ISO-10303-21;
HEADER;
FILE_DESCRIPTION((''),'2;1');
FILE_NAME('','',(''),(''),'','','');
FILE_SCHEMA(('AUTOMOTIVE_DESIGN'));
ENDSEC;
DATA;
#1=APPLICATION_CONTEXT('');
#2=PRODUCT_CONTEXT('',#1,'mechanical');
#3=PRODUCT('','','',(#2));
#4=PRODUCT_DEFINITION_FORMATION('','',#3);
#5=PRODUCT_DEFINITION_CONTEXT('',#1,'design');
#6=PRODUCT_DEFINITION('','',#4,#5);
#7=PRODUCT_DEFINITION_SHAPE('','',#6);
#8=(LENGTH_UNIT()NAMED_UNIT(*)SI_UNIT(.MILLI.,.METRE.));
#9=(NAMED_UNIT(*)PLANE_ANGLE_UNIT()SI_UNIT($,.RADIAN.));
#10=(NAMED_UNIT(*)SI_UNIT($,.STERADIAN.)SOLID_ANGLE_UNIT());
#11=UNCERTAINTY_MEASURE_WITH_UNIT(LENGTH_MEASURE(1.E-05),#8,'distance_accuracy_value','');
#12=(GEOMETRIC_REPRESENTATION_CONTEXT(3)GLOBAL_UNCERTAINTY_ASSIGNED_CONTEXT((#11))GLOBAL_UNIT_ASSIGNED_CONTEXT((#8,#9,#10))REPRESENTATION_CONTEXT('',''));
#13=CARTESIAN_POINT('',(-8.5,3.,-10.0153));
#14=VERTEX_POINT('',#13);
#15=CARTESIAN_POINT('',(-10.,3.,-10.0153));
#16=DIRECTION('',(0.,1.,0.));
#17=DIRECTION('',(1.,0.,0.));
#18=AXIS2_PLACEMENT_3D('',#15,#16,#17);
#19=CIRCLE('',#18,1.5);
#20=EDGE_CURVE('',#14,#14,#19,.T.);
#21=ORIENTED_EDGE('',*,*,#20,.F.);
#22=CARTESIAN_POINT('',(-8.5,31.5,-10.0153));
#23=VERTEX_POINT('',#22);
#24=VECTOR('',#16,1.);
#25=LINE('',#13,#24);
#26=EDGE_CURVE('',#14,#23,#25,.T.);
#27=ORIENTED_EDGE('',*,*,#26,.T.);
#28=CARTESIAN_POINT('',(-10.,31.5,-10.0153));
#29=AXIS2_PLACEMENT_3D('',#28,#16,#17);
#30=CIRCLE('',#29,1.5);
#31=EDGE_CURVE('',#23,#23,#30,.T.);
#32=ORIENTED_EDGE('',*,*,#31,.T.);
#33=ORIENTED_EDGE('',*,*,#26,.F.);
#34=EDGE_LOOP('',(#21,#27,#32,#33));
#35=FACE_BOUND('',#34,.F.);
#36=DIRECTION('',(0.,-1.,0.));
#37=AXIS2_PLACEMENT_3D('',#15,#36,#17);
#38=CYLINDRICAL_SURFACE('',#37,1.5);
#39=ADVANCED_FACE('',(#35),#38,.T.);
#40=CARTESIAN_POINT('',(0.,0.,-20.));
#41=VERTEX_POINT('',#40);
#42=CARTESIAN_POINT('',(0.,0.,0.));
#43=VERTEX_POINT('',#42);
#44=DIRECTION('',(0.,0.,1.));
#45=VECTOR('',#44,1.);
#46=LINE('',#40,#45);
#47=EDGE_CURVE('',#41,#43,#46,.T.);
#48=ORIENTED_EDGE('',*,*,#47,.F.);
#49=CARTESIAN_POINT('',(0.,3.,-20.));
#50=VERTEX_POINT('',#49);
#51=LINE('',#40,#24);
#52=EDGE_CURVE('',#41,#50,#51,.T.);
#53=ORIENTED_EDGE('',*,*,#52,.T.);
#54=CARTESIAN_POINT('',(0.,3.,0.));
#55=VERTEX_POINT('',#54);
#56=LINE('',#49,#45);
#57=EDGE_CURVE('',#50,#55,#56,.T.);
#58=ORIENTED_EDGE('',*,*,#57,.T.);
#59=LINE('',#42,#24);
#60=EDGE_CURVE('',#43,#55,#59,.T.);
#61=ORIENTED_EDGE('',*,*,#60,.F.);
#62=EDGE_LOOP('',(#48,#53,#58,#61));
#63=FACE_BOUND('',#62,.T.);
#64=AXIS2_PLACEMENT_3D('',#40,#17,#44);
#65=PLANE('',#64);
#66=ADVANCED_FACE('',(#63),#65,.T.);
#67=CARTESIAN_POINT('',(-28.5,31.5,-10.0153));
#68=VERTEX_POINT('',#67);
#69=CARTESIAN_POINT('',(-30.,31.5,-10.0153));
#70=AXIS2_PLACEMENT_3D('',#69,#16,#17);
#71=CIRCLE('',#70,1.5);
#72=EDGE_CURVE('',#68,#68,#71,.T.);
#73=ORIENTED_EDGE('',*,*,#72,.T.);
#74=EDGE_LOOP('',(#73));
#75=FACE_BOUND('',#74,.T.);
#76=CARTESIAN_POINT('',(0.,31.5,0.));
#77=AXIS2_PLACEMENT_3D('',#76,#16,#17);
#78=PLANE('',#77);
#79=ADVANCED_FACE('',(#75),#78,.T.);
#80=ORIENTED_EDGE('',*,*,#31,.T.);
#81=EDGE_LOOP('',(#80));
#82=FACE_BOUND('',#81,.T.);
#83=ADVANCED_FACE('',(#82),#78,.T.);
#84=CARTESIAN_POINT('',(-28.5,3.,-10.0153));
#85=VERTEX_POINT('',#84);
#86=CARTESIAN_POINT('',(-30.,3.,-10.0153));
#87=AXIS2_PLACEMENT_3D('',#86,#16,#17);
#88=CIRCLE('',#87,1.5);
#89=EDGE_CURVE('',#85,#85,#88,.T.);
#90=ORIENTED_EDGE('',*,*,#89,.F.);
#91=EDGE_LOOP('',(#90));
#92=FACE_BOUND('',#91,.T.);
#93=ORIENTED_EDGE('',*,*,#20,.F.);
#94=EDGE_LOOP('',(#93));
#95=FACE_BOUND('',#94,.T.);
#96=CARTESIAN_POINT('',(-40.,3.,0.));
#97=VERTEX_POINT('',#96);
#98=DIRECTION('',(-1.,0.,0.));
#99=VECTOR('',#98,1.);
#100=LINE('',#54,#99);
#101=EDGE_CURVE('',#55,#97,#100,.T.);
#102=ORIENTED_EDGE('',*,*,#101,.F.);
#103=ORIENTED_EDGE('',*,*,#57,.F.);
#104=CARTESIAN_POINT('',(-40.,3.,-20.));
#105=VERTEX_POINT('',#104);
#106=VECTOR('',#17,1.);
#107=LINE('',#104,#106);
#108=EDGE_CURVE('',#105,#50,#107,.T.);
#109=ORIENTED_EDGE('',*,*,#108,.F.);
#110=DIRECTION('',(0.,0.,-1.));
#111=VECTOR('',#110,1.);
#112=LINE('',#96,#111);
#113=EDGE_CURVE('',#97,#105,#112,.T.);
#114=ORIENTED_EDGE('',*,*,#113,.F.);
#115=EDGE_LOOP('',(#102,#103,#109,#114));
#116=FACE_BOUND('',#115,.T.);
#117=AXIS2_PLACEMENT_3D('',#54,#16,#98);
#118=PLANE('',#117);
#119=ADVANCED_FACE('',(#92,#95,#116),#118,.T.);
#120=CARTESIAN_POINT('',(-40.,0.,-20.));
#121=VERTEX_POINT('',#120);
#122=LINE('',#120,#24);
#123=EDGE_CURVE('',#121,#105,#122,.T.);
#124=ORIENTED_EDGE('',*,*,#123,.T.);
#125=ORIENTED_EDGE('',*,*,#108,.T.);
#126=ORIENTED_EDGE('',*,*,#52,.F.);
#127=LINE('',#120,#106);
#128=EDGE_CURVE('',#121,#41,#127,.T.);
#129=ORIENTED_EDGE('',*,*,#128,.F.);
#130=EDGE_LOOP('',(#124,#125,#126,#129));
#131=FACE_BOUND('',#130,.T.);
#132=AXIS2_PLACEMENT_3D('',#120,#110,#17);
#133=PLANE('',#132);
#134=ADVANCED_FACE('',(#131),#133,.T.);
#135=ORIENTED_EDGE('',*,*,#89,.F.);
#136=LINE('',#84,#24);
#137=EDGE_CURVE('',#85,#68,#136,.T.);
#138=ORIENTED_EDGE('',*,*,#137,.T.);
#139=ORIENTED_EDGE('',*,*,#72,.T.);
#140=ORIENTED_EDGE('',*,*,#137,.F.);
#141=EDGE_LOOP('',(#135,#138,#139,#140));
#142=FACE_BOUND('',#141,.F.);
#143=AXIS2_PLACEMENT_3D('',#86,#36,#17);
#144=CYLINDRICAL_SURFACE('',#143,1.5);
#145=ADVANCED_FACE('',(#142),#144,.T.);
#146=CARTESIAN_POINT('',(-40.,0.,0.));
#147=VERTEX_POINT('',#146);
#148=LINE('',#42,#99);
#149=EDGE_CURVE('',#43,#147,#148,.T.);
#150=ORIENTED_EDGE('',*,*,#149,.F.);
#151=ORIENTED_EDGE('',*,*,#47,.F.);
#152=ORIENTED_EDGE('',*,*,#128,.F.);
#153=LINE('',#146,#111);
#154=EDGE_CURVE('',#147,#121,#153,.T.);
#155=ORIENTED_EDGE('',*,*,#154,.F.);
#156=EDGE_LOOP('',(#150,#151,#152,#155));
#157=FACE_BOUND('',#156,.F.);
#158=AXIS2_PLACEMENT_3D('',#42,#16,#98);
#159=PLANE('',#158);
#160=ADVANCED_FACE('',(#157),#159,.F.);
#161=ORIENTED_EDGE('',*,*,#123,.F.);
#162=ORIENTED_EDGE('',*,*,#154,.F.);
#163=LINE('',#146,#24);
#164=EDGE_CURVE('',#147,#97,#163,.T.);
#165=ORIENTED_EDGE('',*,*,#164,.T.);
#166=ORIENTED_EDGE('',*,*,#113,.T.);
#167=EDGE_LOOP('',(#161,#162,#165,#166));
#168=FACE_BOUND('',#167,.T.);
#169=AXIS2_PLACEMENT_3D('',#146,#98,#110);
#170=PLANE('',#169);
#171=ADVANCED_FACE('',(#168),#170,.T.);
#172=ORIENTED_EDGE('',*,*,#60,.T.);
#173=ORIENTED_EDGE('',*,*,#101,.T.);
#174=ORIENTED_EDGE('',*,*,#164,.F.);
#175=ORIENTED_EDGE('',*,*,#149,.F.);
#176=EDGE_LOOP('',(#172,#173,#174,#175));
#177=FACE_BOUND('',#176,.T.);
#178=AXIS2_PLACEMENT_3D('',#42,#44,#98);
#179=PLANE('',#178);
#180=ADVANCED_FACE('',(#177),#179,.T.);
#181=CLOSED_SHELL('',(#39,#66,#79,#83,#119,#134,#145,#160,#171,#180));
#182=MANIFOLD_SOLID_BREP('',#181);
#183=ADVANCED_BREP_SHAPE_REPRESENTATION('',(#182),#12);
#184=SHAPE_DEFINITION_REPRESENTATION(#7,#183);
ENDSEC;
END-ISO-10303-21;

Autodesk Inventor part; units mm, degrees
ref_plane "YZ Plane" through (0, 0, 0) normal (1, 0, 0) x (0, 1, 0)
ref_plane "XZ Plane" through (0, 0, 0) normal (0, 1, 0) x (-1, 0, 0)
ref_plane "XY Plane" through (0, 0, 0) normal (0, 0, 1) x (1, 0, 0)
sketch "Esboço1" plane through (0, 0, 0) normal (0, 1, 0) x (-1, 0, 0)
  line L0 (0, 0) -> (40, 0)
  line L1 (40, 0) -> (40, -20)
  line L2 (40, -20) -> (0, -20)
  line L3 (0, -20) -> (0, 0)
  dimension "d0" = 40
  dimension "d1" = 20
extrude "Extrusão1" add sketch "Esboço1" along normal blind 3
sketch "Esboço2" plane through (0, 3, 0) normal (0, 1, 0) x (1, 0, 0)
  circle A0 centre (-30, 10.0153) radius 1.5
  circle A1 centre (-10, 10.0153) radius 1.5
  line L0 (-40, 20) -> (-40, 0) projected
  line L1 (0, 0) -> (0, 20) projected
  dimension "d5" = 3
  dimension "d6" = 3
  dimension "d7" = 10
  dimension "d8" = 10
extrude "Extrusão2" add sketch "Esboço2" along normal blind 28.5
